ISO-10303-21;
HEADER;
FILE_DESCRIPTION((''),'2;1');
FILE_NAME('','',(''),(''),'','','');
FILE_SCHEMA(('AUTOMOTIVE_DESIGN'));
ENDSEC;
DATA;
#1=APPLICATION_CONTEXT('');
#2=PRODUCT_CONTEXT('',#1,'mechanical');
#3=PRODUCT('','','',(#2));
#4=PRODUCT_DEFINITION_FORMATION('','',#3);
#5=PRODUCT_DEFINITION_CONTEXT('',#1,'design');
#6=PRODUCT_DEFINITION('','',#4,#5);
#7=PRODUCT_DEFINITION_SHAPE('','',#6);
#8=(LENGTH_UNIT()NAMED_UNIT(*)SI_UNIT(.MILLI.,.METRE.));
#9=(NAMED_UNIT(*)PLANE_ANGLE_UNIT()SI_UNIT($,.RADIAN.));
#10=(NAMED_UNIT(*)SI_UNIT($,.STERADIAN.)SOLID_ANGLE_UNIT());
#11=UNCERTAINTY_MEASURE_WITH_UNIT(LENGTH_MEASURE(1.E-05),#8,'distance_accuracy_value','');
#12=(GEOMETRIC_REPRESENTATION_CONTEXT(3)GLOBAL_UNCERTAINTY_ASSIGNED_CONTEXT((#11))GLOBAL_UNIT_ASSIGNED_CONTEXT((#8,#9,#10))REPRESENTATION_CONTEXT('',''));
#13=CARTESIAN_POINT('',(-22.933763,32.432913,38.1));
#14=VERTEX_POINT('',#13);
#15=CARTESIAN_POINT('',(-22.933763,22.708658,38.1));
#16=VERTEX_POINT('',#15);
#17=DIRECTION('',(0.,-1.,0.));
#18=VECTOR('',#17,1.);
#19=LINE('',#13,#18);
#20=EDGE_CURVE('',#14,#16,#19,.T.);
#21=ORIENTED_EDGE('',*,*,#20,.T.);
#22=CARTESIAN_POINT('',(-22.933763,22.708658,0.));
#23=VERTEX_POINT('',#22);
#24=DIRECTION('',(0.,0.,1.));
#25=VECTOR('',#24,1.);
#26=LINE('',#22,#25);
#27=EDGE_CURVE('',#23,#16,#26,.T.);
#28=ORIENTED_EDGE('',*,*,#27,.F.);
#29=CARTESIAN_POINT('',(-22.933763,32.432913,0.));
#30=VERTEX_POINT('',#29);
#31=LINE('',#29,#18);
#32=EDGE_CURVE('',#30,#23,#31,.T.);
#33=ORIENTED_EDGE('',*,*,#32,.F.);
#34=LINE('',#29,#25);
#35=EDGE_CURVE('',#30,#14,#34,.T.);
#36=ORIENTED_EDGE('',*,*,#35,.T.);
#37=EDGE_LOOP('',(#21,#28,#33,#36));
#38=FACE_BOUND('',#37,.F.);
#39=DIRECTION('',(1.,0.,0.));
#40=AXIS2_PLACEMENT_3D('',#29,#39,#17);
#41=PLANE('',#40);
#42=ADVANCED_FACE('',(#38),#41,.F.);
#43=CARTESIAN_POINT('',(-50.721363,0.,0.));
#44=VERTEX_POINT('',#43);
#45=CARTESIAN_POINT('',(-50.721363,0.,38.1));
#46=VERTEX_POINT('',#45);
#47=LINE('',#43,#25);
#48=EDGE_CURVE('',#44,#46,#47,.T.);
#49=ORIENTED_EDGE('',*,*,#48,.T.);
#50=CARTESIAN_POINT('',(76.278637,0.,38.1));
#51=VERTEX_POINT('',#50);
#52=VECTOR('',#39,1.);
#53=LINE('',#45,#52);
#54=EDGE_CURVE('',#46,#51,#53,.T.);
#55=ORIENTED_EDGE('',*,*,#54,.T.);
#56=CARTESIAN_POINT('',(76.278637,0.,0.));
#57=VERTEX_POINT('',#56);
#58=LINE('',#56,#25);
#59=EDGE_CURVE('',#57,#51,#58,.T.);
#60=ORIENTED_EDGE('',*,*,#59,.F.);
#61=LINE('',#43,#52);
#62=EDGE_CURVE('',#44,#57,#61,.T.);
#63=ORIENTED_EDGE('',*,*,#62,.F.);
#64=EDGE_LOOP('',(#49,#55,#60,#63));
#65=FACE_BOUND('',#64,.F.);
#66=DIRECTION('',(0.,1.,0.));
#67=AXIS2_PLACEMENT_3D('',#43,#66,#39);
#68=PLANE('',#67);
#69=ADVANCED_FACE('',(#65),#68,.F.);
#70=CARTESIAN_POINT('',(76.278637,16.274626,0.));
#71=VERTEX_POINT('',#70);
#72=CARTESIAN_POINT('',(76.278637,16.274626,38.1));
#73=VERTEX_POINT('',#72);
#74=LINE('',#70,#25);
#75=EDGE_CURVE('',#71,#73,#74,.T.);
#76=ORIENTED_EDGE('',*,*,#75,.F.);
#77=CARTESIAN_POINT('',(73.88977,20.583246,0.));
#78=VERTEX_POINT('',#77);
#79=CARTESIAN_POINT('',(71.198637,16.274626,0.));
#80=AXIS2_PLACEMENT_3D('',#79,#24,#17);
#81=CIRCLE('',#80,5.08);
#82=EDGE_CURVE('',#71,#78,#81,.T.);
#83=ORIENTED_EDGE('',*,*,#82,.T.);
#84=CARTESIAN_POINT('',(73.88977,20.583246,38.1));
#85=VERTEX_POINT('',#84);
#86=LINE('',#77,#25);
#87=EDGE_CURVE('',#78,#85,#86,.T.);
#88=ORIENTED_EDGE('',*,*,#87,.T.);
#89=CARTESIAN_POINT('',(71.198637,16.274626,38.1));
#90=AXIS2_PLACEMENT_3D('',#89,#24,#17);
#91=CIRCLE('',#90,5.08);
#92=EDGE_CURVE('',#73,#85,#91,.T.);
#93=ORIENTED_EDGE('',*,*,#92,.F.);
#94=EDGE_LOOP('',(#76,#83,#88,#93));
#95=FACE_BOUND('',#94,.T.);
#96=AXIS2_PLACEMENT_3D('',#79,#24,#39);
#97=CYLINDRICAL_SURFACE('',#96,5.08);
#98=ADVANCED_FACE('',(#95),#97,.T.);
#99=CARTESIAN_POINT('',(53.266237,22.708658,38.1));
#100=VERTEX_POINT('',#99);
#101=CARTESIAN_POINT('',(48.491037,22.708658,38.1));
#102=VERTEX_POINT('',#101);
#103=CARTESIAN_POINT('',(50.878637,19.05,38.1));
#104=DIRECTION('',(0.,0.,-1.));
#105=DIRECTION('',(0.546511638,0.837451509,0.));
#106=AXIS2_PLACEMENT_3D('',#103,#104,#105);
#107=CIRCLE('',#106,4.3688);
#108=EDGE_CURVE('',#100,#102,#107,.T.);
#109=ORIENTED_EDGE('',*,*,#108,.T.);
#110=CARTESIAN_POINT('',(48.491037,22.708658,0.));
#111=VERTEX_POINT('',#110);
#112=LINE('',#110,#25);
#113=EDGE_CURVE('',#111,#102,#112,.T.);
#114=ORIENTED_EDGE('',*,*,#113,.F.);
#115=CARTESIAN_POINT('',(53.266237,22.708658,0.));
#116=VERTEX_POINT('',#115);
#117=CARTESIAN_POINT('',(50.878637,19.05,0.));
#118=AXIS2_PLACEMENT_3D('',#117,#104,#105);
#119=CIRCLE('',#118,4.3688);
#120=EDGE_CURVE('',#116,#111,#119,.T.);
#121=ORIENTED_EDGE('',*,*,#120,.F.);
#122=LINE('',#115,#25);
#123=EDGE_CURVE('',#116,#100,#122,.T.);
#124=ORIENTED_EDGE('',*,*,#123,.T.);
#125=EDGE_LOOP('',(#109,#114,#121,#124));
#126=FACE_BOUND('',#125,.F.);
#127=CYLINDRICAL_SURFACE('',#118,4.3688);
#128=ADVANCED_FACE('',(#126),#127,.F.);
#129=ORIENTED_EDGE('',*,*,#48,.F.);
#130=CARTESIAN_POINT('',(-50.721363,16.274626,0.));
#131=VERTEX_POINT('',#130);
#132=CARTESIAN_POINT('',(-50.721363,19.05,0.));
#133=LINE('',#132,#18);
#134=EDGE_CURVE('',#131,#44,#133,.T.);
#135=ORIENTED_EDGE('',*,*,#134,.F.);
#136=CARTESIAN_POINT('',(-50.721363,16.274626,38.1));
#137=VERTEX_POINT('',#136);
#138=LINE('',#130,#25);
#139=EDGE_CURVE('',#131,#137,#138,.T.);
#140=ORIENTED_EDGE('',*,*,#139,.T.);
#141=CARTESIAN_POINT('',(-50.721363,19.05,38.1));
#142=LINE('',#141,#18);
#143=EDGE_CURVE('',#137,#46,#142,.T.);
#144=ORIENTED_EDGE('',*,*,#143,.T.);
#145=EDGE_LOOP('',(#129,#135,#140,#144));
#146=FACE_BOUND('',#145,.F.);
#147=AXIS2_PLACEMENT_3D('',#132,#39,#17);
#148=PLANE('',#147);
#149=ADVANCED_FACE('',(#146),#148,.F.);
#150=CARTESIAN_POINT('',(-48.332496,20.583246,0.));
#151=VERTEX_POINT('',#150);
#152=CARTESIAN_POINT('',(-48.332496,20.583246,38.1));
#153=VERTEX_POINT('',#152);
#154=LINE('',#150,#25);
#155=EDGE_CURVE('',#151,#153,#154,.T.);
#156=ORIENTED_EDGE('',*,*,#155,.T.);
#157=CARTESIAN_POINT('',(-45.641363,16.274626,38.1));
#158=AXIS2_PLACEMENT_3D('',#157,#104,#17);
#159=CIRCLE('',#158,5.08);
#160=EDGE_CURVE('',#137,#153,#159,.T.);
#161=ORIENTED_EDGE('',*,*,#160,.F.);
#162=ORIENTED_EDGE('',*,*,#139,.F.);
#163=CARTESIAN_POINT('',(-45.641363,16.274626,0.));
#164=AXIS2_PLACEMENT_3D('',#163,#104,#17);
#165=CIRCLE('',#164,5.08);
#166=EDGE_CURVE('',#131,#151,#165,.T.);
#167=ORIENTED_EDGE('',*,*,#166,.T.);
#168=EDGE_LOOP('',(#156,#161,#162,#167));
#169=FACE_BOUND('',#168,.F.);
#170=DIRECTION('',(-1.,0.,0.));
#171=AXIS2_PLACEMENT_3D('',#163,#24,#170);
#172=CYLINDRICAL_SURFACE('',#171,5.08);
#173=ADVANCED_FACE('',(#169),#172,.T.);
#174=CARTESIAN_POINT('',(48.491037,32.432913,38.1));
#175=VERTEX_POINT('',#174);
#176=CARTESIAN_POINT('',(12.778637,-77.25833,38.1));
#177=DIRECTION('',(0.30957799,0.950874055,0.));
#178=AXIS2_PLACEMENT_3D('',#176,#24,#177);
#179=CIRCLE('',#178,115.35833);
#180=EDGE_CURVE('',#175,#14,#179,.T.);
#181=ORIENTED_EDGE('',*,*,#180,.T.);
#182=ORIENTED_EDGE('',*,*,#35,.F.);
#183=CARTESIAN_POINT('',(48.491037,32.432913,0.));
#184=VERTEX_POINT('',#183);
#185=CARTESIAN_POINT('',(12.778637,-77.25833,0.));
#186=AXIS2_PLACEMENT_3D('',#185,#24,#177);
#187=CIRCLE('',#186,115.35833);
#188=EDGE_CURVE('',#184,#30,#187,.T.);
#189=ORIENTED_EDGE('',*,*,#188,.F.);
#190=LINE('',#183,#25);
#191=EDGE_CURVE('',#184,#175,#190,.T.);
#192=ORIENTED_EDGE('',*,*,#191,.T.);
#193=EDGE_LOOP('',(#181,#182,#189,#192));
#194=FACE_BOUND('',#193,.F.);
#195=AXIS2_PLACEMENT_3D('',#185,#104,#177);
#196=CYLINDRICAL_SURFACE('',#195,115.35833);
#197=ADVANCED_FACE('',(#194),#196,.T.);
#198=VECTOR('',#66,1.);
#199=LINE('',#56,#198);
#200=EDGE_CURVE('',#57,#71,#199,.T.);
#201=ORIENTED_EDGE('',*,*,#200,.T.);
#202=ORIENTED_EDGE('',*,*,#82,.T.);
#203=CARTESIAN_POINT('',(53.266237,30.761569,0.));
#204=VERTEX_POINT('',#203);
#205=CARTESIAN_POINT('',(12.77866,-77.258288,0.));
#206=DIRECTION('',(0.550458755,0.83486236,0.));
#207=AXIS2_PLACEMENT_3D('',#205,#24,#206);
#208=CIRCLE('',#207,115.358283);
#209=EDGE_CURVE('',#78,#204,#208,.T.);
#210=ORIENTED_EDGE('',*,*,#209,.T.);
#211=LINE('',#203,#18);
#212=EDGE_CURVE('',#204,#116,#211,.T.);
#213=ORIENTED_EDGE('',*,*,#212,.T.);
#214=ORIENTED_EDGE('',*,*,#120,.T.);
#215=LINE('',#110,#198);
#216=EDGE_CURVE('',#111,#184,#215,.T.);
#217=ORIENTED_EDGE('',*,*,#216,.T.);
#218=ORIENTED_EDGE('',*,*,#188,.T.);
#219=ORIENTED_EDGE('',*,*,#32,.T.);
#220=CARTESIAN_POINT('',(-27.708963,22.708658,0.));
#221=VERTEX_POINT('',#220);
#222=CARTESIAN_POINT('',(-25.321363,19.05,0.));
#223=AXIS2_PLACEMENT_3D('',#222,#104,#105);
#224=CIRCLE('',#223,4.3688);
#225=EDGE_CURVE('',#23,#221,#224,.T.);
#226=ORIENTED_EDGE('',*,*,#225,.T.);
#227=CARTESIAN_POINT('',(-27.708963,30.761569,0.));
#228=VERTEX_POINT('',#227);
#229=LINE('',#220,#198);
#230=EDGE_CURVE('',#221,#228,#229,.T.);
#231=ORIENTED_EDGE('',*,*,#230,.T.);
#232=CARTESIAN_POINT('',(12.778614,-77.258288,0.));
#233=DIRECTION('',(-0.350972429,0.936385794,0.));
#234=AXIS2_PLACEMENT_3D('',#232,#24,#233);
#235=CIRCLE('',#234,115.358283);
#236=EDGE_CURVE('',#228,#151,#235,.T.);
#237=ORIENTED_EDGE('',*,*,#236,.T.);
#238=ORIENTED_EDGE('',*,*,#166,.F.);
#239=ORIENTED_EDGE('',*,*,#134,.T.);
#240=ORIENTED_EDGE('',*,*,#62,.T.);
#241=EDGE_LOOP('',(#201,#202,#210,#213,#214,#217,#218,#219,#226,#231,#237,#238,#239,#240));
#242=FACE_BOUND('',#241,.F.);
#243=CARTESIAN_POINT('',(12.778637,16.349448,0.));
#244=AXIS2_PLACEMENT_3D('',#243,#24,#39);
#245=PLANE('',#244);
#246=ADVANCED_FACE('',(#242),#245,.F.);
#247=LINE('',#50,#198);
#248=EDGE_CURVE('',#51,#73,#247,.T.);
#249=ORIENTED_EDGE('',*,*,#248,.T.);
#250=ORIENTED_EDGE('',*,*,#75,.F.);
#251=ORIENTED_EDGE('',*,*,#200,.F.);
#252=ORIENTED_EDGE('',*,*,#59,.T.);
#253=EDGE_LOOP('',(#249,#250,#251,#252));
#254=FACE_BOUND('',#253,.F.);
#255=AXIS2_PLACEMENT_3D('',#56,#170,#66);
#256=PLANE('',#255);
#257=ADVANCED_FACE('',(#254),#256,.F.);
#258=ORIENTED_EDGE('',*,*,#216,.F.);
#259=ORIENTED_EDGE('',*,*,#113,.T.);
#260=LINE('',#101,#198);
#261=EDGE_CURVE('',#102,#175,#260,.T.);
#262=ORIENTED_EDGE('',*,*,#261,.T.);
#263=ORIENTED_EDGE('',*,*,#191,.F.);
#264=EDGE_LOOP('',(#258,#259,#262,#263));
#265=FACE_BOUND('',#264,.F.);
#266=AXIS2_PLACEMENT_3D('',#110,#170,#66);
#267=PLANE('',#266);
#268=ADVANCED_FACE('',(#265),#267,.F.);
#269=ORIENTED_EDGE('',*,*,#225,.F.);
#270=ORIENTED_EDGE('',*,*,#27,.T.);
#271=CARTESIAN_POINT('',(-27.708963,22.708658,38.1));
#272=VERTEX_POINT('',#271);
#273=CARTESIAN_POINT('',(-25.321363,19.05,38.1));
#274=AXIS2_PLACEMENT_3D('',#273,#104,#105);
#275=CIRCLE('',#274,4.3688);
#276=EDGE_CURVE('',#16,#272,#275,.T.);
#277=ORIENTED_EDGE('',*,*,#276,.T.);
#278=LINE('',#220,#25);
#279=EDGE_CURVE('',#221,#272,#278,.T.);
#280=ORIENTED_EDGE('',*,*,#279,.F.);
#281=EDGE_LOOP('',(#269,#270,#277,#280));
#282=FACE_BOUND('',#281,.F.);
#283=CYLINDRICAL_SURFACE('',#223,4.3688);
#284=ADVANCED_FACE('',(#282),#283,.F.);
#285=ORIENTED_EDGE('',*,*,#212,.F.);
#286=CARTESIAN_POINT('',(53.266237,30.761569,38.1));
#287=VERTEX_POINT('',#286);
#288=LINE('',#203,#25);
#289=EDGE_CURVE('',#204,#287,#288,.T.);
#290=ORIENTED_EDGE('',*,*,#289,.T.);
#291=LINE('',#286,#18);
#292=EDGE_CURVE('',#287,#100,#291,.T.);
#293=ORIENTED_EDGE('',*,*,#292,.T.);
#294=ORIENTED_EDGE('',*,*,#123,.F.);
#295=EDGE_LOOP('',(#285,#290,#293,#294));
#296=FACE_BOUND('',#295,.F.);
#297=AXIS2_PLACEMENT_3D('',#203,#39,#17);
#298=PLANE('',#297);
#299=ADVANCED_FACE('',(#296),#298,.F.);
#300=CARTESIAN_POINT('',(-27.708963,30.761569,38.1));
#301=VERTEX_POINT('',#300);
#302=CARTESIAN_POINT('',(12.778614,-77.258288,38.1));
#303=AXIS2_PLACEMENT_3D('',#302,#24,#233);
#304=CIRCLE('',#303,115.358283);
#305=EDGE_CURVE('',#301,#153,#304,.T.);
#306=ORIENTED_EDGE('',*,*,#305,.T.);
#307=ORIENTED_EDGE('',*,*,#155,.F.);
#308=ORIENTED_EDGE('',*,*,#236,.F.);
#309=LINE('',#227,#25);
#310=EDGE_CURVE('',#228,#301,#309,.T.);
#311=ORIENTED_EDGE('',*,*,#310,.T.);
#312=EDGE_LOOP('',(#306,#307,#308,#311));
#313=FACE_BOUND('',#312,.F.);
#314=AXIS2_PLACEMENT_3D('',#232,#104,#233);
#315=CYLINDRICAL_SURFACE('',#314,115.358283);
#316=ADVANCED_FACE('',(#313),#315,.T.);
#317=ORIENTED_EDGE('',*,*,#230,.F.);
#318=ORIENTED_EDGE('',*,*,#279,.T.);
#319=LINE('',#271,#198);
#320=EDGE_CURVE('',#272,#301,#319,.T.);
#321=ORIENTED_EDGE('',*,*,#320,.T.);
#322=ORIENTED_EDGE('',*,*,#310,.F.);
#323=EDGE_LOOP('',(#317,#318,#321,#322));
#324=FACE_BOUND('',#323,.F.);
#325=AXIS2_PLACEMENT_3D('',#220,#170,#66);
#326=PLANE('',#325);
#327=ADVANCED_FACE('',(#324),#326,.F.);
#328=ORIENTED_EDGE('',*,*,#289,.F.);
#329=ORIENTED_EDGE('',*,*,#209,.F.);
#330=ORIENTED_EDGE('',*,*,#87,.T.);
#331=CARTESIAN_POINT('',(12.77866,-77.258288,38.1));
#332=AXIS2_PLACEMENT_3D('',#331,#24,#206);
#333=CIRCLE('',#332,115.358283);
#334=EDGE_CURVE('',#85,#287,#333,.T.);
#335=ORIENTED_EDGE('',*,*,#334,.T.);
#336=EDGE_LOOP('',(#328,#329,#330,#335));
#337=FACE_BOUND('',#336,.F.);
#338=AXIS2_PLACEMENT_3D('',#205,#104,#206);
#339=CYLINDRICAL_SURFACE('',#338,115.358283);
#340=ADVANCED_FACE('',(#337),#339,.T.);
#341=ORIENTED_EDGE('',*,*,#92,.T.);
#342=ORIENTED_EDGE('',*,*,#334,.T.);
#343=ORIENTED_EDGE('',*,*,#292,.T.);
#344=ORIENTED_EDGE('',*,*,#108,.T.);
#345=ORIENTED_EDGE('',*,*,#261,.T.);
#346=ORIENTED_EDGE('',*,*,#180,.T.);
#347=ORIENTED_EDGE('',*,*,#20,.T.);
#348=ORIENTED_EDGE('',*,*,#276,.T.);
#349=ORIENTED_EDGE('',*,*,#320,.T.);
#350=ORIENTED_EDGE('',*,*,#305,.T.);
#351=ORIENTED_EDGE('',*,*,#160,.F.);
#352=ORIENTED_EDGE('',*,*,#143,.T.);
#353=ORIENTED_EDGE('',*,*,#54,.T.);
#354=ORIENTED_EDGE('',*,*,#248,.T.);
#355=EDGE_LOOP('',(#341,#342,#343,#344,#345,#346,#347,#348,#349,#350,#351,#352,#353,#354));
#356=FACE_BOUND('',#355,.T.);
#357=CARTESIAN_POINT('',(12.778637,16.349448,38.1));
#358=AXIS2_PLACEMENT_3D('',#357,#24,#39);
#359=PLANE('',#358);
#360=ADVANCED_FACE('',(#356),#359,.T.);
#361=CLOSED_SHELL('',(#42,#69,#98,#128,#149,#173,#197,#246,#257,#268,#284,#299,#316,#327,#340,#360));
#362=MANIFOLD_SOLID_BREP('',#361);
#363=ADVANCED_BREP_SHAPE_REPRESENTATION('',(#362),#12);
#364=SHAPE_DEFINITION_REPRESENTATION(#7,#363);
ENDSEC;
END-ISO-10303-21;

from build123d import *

# Parameters (mm, degrees)
F1_DEPTH = 38.1
F2_R     = 5.08
F3_R     = 5.08


with BuildPart() as f1:
    # F0 (on Top) → F1 (new body)
    with BuildSketch(Plane.XY):
        with BuildLine():
            Line((-50.721363, 19.05), (-50.721363, 0))
            Line((-50.721363, 0), (76.278637, 0))
            Line((76.278637, 0), (76.278637, 19.05))
            ThreePointArc((76.278637, 19.05), (65.101151, 25.551684), (53.266237, 30.761569))
            Line((53.266237, 30.761569), (53.266237, 22.708658))
            ThreePointArc((53.266237, 22.708658), (50.878637, 14.6812), (48.491037, 22.708658))
            Line((48.491037, 22.708658), (48.491037, 32.432913))
            ThreePointArc((48.491037, 32.432913), (12.778637, 38.1), (-22.933763, 32.432913))
            Line((-22.933763, 32.432913), (-22.933763, 22.708658))
            ThreePointArc((-22.933763, 22.708658), (-25.321363, 14.6812), (-27.708963, 22.708658))
            Line((-27.708963, 22.708658), (-27.708963, 30.761569))
            ThreePointArc((-27.708963, 30.761569), (-39.543877, 25.551684), (-50.721363, 19.05))
        make_face()
    extrude(amount=F1_DEPTH)

    # F2
    f2_edges = [f1.edges().sort_by_distance(p)[0] for p in [
        (-50.721363, 19.05, 19.05),
    ]]
    fillet(f2_edges, radius=F2_R)

    # F3
    f3_edges = [f1.edges().sort_by_distance(p)[0] for p in [
        (76.278637, 19.05, 19.05),
    ]]
    fillet(f3_edges, radius=F3_R)


solid = f1.part
